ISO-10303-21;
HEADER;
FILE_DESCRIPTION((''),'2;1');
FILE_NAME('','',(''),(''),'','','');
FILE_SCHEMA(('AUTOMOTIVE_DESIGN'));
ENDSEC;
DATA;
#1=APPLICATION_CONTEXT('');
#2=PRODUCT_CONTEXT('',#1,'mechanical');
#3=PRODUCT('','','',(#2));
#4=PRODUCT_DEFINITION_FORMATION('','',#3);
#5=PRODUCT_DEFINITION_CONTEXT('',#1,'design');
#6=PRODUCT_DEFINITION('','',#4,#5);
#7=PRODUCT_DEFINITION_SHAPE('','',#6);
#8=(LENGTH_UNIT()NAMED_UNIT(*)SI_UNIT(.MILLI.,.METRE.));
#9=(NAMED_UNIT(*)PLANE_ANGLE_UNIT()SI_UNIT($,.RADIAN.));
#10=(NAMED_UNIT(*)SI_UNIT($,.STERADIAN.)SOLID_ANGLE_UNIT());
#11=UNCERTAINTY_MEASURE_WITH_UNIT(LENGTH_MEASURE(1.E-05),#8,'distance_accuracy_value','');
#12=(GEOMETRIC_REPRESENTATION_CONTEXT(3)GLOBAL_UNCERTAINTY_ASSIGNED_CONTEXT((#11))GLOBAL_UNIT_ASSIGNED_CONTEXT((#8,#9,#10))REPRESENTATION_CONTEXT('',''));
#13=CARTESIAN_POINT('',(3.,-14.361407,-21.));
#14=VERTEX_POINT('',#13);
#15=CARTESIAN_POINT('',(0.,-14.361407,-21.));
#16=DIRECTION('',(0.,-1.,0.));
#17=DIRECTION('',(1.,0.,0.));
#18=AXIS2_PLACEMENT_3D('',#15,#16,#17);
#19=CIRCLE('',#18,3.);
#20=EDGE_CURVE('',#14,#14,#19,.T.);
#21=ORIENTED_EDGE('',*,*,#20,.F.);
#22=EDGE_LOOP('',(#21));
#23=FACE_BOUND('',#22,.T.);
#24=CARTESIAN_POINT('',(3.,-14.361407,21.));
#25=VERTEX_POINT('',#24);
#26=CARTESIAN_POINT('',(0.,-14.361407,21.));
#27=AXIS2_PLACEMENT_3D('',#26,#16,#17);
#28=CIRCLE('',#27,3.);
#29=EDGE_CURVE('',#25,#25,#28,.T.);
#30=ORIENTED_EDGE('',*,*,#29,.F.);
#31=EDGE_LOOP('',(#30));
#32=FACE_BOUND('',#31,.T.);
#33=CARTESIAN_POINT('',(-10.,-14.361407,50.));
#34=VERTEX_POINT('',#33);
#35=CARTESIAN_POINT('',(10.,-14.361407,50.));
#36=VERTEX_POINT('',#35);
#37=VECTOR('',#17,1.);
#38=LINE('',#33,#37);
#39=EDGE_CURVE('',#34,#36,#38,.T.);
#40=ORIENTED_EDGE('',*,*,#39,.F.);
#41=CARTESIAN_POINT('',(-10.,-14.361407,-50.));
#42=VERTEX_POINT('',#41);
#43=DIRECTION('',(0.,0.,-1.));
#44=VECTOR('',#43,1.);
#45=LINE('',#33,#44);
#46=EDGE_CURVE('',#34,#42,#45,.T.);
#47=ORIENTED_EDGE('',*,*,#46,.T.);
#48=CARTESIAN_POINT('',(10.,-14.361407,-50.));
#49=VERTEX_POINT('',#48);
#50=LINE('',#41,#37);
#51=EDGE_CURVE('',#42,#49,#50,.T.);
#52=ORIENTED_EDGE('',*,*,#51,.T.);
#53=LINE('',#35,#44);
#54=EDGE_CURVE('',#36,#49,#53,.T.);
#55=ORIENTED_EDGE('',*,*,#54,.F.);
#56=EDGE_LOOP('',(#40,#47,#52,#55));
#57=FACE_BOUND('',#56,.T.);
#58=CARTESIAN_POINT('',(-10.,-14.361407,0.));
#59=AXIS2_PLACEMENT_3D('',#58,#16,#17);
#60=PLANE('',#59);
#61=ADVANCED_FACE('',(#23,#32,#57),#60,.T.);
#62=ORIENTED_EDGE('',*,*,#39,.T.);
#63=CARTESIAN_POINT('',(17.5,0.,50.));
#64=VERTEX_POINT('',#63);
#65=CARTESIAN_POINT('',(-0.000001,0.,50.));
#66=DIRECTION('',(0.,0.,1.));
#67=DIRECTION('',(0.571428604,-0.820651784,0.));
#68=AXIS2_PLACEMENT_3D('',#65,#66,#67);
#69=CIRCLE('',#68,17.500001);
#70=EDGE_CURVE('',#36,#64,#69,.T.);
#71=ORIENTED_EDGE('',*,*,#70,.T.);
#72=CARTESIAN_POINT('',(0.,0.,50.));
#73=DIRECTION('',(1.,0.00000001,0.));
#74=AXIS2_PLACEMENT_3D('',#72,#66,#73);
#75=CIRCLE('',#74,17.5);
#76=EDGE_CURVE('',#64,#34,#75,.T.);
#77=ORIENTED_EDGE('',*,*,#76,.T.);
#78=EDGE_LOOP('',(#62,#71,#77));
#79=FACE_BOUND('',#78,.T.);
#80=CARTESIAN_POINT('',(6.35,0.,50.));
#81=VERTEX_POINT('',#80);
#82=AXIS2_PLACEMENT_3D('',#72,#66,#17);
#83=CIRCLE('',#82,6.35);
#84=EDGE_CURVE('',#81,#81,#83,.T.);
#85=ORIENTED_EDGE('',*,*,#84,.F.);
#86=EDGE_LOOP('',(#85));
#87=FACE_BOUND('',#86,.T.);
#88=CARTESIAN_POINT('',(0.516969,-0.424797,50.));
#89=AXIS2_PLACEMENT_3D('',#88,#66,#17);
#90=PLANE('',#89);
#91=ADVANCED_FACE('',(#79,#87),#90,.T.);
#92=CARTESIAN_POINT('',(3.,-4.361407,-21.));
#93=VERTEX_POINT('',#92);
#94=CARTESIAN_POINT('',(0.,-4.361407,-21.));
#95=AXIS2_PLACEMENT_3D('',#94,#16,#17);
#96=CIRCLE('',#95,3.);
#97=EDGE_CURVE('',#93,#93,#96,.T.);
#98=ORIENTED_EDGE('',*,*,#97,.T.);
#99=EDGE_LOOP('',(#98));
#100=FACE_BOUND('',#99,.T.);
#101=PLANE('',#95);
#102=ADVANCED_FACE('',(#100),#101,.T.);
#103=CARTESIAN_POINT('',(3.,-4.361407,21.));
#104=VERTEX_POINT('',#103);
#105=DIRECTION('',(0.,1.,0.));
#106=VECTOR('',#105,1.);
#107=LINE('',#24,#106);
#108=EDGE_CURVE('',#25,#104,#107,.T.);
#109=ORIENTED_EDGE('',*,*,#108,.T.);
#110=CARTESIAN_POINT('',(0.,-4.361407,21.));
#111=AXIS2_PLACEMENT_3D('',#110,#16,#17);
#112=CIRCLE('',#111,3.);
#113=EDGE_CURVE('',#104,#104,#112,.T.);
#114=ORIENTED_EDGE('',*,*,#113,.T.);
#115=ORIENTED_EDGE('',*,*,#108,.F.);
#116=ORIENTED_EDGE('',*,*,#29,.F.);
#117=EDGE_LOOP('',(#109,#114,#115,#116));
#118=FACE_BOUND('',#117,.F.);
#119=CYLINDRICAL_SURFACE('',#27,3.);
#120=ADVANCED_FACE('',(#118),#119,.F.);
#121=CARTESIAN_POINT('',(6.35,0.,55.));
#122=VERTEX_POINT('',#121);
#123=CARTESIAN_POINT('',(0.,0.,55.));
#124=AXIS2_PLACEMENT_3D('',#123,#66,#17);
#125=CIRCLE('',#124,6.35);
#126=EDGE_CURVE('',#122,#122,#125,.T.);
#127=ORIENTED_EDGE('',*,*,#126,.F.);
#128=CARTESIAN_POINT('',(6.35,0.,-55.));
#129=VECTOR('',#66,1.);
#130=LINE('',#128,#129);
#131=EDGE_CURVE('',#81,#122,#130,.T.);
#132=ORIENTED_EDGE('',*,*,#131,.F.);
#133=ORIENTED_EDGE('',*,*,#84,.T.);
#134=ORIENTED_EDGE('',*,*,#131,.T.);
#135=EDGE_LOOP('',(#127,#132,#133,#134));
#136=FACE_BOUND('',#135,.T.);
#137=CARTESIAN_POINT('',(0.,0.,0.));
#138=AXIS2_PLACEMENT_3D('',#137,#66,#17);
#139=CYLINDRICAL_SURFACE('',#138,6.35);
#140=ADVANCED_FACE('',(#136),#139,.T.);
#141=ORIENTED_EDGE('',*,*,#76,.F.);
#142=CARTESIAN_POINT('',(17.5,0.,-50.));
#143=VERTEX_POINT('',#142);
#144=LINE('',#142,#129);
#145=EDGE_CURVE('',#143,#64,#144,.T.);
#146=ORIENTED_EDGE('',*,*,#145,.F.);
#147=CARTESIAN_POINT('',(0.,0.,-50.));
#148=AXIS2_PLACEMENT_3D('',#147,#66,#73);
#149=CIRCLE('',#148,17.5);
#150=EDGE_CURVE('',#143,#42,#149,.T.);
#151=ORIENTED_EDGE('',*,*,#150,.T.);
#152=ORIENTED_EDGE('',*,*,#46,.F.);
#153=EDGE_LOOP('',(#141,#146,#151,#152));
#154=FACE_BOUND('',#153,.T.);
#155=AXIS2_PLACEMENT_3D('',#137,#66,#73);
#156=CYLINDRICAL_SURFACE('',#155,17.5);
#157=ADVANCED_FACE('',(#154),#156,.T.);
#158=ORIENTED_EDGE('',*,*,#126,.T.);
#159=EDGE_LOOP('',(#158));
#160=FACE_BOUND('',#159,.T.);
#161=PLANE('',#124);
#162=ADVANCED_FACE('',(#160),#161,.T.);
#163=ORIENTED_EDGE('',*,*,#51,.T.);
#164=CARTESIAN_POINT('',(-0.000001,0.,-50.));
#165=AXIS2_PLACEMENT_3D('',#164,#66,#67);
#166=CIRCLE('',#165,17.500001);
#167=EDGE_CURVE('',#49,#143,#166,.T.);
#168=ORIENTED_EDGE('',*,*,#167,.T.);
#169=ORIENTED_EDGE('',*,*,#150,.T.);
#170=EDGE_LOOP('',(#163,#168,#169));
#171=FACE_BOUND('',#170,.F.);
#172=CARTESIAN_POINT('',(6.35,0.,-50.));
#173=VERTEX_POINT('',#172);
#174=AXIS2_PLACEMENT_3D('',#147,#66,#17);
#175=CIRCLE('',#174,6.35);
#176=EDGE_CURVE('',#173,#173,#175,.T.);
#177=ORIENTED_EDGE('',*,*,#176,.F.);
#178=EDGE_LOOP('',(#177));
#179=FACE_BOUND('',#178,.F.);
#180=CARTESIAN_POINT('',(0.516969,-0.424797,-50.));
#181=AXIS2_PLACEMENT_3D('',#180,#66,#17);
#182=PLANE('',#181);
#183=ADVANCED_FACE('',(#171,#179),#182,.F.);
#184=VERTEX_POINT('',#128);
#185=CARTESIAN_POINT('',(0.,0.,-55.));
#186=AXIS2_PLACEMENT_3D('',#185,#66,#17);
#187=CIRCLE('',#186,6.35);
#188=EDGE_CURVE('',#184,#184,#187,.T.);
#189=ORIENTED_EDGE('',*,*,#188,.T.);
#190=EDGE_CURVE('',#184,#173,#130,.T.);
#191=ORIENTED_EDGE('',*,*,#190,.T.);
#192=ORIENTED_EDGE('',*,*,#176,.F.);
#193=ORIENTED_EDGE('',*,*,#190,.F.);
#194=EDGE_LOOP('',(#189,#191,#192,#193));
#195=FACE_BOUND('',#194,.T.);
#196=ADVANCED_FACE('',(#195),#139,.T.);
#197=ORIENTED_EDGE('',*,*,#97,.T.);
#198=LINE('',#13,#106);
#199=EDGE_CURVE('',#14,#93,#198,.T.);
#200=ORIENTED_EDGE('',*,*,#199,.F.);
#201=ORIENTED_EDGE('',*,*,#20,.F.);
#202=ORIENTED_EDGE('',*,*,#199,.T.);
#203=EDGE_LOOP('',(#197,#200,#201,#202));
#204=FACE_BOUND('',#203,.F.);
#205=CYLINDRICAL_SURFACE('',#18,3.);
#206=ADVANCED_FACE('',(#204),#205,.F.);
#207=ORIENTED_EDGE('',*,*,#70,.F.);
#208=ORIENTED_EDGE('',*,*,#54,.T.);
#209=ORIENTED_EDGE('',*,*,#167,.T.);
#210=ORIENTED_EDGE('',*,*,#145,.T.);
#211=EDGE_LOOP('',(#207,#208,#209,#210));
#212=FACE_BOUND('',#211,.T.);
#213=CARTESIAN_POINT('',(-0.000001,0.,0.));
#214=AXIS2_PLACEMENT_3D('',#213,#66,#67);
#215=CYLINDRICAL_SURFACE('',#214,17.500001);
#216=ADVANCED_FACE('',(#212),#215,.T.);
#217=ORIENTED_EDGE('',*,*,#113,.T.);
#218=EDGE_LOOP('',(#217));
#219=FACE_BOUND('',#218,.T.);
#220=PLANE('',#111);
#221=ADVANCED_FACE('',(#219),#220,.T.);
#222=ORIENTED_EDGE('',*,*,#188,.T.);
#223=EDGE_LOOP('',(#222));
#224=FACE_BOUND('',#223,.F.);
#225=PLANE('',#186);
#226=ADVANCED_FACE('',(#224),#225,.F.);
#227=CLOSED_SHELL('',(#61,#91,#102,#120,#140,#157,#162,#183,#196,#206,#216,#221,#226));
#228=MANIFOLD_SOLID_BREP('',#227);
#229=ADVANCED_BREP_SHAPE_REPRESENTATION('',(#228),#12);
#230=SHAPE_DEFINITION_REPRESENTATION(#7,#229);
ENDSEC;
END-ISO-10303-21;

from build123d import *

# Parameters (mm, degrees)
F0_R     = 6.35
F1_DEPTH = 50
F2_DEPTH = 55
F3_R     = 3
F4_DEPTH = 10


with BuildPart() as f1:
    # F0 (on Top) → F1 (new body, symmetric)
    with BuildSketch(Plane.XY):
        with BuildLine():
            ThreePointArc((10, -14.361407), (15.512092, -8.100926), (17.5, 0))
            ThreePointArc((17.5, 0), (-8.100926, 15.512092), (-10, -14.361407))
            Line((-10, -14.361407), (10, -14.361407))
        make_face()
        Circle(F0_R, mode=Mode.SUBTRACT)
        Circle(F0_R)
    extrude(amount=F1_DEPTH, both=True)

    # F0 (on Top) → F2 (join, symmetric)
    with BuildSketch(Plane.XY):
        Circle(F0_R)
    extrude(amount=F2_DEPTH, both=True)

    # F3 (on face) → F4 (cut)
    with BuildSketch(Plane.XZ.offset(14.361407)):
        with Locations((0, 21)):
            Circle(F3_R)
        with Locations((0, -21)):
            Circle(F3_R)
    extrude(amount=-F4_DEPTH, mode=Mode.SUBTRACT)


solid = f1.part
